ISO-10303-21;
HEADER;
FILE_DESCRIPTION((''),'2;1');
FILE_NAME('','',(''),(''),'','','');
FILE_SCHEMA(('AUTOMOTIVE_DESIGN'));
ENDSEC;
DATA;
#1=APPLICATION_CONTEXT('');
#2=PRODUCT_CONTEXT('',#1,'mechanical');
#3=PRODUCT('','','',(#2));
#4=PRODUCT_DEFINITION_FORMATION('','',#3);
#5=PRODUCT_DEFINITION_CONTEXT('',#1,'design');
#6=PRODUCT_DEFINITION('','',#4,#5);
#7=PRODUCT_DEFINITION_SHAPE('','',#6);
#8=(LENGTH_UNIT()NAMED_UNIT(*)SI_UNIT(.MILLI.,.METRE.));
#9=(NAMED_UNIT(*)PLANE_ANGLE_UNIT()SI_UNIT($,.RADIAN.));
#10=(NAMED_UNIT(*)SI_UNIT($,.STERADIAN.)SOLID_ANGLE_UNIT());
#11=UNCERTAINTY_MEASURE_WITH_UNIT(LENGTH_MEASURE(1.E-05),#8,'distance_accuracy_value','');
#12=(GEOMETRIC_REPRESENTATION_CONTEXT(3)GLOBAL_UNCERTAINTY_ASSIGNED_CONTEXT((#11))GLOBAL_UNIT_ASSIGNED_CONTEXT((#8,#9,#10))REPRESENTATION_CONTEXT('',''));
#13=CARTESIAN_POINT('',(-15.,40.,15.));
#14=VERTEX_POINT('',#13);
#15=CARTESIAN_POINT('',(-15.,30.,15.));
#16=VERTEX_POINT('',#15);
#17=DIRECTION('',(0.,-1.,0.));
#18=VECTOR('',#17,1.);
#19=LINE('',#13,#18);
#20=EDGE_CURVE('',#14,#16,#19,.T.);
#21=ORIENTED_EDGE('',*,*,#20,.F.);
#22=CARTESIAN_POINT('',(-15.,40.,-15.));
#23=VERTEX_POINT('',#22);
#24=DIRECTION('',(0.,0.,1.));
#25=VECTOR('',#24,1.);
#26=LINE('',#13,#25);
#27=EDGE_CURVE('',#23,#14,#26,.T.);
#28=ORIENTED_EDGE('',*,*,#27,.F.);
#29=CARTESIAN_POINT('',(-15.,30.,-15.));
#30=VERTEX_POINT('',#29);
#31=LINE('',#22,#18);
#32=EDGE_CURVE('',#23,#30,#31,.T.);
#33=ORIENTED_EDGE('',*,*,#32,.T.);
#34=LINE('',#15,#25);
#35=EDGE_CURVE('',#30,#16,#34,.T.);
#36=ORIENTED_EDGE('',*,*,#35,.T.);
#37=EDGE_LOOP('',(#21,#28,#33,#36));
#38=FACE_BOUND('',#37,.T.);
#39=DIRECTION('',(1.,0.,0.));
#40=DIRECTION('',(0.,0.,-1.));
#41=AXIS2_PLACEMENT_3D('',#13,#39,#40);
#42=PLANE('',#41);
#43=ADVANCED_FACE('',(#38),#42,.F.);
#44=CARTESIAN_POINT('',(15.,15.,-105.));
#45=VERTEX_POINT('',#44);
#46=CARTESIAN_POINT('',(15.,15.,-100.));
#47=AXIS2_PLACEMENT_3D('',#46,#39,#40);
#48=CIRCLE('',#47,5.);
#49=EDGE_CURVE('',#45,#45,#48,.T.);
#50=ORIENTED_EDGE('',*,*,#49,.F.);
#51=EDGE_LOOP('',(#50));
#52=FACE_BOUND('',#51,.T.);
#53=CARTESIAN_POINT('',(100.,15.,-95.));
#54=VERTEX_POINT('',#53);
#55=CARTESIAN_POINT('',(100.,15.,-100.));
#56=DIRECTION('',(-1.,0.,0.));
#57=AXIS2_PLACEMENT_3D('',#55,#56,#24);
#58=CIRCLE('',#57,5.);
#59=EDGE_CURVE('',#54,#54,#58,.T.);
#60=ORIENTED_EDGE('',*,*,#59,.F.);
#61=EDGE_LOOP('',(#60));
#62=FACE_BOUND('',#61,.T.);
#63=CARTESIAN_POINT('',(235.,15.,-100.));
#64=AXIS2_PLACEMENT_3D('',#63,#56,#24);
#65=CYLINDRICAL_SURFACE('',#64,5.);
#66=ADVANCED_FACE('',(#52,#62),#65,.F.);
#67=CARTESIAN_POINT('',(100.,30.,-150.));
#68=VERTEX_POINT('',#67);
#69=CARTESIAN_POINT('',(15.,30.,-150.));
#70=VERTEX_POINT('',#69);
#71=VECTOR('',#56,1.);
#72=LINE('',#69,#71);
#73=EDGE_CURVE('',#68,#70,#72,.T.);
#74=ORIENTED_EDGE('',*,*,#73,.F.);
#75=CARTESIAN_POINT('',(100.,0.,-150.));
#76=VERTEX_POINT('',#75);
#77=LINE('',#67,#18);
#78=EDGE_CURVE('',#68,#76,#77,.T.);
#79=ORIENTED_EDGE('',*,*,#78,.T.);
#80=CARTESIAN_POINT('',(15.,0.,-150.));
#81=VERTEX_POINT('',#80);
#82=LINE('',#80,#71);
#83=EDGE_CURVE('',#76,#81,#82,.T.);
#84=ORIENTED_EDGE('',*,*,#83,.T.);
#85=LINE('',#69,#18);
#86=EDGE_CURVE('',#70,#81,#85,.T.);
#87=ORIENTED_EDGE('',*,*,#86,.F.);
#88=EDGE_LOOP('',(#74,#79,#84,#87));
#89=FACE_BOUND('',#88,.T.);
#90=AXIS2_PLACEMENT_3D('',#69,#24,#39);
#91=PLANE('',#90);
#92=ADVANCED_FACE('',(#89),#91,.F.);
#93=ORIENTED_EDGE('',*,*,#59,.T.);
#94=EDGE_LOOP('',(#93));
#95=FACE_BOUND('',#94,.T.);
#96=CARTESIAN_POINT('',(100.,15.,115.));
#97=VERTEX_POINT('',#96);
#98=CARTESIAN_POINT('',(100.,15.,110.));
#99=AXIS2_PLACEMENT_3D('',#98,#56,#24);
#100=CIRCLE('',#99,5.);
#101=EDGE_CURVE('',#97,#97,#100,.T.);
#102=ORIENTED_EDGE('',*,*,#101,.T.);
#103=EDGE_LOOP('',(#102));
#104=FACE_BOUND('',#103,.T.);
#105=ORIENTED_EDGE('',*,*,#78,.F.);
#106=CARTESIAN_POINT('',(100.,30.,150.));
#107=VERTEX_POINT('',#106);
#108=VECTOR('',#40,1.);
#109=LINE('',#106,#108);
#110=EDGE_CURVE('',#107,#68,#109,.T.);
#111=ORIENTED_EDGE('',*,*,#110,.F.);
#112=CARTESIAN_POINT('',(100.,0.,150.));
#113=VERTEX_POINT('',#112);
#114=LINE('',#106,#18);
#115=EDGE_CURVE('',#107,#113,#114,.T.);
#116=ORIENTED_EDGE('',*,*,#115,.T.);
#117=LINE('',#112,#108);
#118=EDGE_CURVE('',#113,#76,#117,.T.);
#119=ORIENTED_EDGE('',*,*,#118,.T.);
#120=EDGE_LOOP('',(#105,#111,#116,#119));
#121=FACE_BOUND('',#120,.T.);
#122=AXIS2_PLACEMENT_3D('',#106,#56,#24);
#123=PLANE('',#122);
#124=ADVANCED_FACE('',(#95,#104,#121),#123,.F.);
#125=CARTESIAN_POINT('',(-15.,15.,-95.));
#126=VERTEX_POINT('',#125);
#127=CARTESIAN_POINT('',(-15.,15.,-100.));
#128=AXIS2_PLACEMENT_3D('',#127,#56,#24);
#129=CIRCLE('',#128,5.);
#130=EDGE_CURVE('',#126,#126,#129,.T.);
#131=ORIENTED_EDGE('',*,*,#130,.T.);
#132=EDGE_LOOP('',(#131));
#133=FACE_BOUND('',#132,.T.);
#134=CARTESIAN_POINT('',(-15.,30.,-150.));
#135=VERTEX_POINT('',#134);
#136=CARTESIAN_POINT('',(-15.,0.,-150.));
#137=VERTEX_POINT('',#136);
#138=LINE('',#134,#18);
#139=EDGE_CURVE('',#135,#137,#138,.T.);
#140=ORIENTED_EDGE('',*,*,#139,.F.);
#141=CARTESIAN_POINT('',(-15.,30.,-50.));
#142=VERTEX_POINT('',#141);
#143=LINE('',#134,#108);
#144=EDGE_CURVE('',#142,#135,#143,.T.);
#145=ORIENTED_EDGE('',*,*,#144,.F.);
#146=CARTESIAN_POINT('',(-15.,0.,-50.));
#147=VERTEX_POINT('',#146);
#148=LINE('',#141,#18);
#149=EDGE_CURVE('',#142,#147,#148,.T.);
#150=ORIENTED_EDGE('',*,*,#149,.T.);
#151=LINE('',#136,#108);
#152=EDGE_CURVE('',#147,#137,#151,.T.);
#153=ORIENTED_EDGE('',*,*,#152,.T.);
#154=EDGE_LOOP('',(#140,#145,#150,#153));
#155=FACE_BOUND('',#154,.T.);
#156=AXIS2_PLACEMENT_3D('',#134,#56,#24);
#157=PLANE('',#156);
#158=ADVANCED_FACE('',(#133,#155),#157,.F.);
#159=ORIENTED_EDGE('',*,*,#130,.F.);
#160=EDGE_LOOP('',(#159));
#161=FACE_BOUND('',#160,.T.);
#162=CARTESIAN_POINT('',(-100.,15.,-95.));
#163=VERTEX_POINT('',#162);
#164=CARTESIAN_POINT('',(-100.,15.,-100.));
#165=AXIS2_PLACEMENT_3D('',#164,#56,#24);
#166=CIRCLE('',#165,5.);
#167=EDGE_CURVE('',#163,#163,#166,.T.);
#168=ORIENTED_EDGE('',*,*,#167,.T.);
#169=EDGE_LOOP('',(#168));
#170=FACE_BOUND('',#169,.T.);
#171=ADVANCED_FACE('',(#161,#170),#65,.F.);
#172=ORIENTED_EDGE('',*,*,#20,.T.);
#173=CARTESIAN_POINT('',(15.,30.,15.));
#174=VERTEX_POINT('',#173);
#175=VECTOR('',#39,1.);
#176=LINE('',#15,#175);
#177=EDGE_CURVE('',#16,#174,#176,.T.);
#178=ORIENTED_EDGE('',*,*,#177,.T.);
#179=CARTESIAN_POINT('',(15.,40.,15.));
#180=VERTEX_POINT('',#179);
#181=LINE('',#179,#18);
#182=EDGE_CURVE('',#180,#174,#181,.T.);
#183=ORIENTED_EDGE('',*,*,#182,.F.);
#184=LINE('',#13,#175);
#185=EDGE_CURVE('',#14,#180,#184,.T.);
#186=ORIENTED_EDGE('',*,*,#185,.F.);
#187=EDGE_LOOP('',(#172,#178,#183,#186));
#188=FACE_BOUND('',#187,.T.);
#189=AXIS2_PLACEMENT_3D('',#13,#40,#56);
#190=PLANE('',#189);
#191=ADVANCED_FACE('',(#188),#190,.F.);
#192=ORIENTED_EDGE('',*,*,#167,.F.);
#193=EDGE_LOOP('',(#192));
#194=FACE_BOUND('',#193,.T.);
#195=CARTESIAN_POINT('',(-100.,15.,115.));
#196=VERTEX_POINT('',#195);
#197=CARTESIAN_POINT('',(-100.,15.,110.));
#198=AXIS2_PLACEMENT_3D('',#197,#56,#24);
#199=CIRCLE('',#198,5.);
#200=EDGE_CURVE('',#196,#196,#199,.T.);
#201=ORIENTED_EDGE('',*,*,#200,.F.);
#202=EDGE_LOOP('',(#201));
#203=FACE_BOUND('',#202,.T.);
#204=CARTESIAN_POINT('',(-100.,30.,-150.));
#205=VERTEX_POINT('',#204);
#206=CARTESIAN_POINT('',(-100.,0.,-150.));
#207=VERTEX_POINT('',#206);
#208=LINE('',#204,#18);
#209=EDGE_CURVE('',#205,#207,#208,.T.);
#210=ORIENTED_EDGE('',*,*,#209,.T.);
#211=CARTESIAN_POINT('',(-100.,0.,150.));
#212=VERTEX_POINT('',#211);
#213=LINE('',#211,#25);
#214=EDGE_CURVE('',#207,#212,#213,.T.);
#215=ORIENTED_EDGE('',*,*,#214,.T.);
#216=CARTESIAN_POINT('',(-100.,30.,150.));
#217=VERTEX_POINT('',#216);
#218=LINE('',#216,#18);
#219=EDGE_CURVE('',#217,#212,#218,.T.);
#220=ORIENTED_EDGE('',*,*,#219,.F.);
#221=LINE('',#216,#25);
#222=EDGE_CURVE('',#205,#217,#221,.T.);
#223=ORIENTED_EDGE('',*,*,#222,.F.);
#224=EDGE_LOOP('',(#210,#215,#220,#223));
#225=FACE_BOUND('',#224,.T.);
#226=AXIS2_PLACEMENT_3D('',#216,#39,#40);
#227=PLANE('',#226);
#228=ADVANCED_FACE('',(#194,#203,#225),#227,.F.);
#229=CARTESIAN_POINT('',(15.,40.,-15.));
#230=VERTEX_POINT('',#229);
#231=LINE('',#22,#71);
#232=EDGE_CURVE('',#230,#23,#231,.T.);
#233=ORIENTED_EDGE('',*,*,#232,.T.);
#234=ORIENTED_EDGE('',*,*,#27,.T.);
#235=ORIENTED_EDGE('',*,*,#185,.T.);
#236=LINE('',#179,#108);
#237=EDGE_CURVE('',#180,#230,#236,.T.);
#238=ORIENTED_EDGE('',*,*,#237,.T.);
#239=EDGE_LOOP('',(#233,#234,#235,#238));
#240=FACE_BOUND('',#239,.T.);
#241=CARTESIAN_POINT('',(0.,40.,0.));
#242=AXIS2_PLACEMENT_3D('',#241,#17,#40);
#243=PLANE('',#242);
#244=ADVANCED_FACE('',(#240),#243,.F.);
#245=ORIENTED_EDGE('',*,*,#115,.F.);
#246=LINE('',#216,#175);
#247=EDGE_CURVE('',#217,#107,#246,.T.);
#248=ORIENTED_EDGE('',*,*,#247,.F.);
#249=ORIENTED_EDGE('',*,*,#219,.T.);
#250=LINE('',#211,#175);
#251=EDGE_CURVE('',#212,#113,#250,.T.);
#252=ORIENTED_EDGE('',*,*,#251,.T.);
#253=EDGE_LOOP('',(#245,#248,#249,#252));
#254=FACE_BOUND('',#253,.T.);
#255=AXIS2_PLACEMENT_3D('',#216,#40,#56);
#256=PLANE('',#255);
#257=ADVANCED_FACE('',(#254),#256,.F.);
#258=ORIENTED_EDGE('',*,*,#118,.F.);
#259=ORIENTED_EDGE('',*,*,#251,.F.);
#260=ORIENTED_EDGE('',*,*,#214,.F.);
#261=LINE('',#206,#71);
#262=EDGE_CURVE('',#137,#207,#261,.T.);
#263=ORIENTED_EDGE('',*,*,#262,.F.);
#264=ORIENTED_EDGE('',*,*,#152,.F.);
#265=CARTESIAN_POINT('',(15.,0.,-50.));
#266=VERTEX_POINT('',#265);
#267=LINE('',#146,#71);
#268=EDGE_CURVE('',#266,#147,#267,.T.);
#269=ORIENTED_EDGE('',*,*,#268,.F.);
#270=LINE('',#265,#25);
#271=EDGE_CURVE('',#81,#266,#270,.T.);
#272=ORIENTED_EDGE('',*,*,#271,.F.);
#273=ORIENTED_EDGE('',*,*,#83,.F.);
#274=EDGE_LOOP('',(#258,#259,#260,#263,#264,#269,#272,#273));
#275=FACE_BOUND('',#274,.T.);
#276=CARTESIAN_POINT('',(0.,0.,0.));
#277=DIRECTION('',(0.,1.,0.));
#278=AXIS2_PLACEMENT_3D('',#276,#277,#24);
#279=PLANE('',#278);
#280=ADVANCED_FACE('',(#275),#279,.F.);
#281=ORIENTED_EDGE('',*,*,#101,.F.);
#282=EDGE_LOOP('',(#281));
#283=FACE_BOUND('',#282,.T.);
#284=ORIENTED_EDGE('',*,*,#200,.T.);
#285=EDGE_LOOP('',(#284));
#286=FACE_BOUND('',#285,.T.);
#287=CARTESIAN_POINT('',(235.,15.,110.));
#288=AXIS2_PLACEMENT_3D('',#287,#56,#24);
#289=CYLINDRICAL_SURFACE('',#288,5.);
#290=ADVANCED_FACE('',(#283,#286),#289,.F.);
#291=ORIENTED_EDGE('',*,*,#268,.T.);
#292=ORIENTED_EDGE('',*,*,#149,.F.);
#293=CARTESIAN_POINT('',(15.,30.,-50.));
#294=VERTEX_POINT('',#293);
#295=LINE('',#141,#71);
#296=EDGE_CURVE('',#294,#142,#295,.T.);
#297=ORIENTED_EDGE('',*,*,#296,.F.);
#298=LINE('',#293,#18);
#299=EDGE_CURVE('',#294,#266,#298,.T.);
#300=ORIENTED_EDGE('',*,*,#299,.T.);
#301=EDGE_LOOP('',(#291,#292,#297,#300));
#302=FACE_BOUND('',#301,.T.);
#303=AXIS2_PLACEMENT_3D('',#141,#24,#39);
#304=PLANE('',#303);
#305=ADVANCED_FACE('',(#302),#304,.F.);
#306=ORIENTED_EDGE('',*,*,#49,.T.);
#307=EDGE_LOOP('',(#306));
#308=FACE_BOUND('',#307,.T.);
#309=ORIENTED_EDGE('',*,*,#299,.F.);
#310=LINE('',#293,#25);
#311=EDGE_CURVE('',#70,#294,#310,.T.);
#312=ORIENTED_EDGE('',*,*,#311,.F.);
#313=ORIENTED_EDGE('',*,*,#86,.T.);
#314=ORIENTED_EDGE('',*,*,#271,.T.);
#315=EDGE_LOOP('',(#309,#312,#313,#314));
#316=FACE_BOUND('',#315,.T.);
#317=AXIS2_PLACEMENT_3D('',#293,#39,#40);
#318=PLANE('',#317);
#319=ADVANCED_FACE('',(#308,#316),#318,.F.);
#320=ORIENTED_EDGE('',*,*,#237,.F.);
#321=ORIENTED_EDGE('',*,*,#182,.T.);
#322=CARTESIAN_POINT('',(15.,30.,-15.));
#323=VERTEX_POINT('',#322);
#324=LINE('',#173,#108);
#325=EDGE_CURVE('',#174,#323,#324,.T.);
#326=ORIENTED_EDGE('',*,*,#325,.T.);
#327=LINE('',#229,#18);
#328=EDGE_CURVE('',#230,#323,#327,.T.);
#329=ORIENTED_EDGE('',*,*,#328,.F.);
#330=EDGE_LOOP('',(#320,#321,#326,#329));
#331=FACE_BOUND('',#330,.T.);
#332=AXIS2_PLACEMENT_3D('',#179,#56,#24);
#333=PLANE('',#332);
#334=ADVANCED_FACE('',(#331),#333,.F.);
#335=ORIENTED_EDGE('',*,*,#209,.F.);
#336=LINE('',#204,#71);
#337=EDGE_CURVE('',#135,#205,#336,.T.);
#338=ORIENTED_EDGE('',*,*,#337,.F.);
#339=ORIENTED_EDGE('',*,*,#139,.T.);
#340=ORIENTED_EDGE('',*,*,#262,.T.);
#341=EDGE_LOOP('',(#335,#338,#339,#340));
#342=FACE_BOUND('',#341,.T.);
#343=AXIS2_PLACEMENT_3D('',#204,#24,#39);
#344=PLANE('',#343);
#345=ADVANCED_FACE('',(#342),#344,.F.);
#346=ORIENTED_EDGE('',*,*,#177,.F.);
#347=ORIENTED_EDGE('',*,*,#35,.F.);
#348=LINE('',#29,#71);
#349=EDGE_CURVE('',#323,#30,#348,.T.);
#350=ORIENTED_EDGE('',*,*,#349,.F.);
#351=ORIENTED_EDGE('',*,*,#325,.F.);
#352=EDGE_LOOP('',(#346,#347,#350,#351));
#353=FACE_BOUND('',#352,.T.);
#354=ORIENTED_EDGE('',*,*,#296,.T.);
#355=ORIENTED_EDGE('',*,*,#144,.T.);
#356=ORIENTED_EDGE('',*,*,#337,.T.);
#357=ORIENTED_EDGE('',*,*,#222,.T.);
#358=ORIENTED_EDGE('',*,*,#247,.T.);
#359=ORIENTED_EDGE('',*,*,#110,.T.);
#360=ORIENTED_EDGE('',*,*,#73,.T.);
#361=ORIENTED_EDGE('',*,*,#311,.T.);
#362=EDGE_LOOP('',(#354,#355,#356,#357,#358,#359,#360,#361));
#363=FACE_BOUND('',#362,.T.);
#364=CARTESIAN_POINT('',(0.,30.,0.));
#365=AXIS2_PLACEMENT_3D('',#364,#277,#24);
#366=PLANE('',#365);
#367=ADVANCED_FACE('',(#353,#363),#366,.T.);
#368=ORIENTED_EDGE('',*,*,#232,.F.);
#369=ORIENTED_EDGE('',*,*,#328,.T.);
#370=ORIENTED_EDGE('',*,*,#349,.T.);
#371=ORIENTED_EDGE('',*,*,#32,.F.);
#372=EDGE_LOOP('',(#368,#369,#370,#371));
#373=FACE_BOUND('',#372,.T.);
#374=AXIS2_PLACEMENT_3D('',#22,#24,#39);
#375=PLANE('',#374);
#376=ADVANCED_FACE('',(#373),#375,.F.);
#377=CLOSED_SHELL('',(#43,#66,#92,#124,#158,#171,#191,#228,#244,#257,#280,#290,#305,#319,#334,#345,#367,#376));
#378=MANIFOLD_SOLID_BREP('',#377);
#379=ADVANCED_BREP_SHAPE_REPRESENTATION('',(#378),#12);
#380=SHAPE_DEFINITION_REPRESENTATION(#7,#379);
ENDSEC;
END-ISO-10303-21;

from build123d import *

# Parameters (mm, degrees)
EXTRUDE_1_DEPTH     = 30
SKETCH_2_R          = 5
CUT_EXTRUDE_1_DEPTH = 335
SKETCH_3_W          = 30
SKETCH_3_H          = 30
EXTRUDE_2_DEPTH     = 10


with BuildPart() as part:
    # 草圖1 → 填料-伸長1 (new body)
    with BuildSketch(Plane(origin=(0, 0, 0), x_dir=(1, 0, 0), z_dir=(0, 1, 0))):
        Polygon((-100, -150), (100, -150), (100, 150), (15, 150), (15, 50), (-15, 50), (-15, 150), (-100, 150), align=None)
    extrude(amount=EXTRUDE_1_DEPTH)

    # 草圖2 → 除料-伸長1 (cut)
    with BuildSketch(Plane.ZY.offset(100)):
        with Locations((-100, 15)):
            Circle(SKETCH_2_R)
        with Locations((110, 15)):
            Circle(SKETCH_2_R)
    extrude(amount=-CUT_EXTRUDE_1_DEPTH, mode=Mode.SUBTRACT)

    # 草圖3 → 填料-伸長2 (add)
    with BuildSketch(Plane(origin=(0, 30, 0), x_dir=(1, 0, 0), z_dir=(0, 1, 0))):
        Rectangle(SKETCH_3_W, SKETCH_3_H)
    extrude(amount=EXTRUDE_2_DEPTH)


solid = part.part
